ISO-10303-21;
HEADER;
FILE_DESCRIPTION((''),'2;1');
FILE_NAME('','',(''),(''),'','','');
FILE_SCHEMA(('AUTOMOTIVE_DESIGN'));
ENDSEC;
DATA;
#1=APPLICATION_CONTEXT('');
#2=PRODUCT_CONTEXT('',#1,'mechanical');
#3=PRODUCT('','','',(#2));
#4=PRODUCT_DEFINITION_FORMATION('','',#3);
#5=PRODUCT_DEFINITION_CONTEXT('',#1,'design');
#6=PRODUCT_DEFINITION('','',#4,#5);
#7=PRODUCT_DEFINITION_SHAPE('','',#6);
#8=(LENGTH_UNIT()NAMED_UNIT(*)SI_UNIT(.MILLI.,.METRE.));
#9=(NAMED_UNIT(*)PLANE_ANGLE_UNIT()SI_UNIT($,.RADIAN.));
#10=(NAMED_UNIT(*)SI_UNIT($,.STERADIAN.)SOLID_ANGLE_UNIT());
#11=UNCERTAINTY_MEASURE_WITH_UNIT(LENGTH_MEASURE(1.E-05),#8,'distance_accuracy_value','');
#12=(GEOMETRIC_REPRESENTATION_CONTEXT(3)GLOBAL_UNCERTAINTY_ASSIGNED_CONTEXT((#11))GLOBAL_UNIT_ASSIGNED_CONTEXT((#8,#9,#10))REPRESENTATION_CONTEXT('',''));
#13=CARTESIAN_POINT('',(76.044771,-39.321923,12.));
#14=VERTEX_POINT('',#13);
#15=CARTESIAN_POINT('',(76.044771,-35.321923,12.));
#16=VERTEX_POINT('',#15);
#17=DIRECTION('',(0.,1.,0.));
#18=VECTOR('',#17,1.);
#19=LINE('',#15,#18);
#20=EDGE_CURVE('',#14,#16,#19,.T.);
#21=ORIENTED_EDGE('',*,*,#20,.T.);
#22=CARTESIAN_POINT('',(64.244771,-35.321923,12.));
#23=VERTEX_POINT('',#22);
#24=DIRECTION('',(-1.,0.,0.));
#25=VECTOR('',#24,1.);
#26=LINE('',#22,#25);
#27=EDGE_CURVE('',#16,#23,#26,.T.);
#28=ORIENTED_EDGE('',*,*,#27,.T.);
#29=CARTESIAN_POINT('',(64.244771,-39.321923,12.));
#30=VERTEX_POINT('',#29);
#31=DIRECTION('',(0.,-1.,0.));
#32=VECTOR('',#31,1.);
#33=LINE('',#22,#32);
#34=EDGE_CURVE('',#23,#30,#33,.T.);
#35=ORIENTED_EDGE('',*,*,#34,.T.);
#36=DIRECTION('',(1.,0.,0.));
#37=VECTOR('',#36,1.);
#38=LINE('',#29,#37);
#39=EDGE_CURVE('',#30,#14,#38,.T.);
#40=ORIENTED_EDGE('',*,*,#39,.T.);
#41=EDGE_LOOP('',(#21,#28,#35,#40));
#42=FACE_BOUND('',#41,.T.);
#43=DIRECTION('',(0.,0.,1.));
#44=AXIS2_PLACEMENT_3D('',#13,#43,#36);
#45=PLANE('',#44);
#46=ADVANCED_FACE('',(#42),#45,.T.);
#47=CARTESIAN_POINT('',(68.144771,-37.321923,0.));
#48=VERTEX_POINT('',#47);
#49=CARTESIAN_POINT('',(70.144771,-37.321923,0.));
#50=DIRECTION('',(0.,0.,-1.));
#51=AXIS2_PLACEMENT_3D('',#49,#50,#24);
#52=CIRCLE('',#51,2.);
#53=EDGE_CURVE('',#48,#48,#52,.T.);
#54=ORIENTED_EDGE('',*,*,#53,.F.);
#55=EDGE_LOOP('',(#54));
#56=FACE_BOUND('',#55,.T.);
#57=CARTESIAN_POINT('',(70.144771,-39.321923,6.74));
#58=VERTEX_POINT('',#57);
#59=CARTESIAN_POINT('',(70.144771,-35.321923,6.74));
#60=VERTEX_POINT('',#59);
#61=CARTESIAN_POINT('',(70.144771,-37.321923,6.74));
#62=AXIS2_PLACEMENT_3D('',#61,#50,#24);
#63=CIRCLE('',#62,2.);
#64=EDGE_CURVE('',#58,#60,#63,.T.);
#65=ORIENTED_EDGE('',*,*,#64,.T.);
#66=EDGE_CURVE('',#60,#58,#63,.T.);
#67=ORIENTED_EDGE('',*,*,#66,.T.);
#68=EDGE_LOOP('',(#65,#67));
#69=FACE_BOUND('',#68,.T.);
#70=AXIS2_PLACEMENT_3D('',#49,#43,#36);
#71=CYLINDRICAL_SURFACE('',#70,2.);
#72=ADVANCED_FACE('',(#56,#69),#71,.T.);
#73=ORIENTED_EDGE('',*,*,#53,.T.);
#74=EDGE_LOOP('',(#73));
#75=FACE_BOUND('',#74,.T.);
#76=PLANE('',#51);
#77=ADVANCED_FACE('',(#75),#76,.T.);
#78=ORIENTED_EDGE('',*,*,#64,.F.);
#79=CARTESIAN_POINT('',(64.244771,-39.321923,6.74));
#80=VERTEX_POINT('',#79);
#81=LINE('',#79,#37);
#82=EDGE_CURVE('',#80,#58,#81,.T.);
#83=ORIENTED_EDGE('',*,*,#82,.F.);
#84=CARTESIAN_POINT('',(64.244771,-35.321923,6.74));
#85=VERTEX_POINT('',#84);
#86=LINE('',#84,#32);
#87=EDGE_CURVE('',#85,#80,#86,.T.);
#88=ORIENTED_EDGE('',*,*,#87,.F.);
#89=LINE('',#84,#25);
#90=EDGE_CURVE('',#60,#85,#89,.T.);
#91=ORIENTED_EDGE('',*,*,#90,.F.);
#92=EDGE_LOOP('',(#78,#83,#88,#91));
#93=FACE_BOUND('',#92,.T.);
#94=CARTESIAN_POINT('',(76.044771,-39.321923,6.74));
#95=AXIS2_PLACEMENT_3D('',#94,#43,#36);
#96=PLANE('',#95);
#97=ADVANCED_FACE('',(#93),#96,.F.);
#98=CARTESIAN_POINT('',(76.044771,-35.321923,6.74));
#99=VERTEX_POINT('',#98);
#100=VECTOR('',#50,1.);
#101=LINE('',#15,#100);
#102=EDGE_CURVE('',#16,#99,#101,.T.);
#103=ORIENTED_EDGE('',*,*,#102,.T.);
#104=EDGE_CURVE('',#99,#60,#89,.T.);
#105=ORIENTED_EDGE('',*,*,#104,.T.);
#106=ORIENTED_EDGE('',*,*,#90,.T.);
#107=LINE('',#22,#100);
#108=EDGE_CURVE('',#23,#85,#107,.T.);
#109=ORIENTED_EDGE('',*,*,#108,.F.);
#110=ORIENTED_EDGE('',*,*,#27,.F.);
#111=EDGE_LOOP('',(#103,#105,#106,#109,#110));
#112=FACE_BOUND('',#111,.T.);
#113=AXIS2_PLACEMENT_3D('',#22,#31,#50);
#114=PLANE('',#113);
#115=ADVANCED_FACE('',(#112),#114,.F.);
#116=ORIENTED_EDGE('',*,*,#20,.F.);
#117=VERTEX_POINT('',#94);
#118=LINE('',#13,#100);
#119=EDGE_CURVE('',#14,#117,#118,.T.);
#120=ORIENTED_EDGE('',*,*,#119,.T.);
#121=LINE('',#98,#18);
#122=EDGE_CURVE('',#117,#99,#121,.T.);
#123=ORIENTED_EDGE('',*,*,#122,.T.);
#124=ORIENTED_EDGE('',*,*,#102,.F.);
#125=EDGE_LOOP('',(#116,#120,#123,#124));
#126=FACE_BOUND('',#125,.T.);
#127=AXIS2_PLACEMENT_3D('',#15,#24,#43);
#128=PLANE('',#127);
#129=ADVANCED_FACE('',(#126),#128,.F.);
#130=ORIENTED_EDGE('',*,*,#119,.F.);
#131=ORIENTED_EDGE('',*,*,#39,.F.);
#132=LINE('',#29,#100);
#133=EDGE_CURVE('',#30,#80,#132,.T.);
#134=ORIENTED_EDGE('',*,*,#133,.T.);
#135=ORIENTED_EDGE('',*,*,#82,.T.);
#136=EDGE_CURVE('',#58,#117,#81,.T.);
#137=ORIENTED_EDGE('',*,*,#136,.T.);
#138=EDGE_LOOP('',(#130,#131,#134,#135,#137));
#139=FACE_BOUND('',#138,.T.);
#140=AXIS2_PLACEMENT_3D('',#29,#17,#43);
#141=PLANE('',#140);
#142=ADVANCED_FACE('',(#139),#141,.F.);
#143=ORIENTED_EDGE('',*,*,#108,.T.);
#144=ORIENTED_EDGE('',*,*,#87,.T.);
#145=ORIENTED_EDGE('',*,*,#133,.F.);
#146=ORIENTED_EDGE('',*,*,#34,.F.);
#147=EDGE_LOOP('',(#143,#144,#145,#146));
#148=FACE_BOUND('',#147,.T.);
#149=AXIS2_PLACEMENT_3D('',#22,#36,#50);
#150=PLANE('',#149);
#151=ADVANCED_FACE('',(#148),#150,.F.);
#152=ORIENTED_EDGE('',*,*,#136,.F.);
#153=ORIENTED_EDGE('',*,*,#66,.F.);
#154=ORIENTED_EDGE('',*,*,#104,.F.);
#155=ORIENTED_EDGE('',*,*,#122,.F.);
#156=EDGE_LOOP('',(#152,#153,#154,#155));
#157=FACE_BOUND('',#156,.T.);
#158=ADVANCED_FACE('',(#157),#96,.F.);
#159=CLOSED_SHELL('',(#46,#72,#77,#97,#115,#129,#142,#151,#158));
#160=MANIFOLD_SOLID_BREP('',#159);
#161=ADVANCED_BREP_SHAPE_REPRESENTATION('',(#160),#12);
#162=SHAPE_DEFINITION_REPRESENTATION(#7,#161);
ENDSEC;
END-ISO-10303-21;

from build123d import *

# Parameters (mm, degrees)
ESBO_O4_W                = 11.8
ESBO_O4_H                = 4
RESSALTO_EXTRUS_O2_DEPTH = 5.26
ESBO_O5_R                = 2
RESSALTO_EXTRUS_O4_DEPTH = 6.74


with BuildPart() as part:
    # Esboço4 → Ressalto-extrusão2 (new body)
    with BuildSketch(Plane.XY.offset(6.74)):
        with Locations((70.144771166, -37.321923077)):
            Rectangle(ESBO_O4_W, ESBO_O4_H)
    extrude(amount=RESSALTO_EXTRUS_O2_DEPTH)

    # Esboço5 → Ressalto-extrusão4 (add)
    with BuildSketch(Plane(origin=(0, 0, 6.74), x_dir=(-1, 0, 0), z_dir=(0, 0, -1))):
        with Locations(Location((-70.144771166, -37.321923077, 0), (0, 0, 270))):
            Circle(ESBO_O5_R)
    extrude(amount=RESSALTO_EXTRUS_O4_DEPTH)


solid = part.part
